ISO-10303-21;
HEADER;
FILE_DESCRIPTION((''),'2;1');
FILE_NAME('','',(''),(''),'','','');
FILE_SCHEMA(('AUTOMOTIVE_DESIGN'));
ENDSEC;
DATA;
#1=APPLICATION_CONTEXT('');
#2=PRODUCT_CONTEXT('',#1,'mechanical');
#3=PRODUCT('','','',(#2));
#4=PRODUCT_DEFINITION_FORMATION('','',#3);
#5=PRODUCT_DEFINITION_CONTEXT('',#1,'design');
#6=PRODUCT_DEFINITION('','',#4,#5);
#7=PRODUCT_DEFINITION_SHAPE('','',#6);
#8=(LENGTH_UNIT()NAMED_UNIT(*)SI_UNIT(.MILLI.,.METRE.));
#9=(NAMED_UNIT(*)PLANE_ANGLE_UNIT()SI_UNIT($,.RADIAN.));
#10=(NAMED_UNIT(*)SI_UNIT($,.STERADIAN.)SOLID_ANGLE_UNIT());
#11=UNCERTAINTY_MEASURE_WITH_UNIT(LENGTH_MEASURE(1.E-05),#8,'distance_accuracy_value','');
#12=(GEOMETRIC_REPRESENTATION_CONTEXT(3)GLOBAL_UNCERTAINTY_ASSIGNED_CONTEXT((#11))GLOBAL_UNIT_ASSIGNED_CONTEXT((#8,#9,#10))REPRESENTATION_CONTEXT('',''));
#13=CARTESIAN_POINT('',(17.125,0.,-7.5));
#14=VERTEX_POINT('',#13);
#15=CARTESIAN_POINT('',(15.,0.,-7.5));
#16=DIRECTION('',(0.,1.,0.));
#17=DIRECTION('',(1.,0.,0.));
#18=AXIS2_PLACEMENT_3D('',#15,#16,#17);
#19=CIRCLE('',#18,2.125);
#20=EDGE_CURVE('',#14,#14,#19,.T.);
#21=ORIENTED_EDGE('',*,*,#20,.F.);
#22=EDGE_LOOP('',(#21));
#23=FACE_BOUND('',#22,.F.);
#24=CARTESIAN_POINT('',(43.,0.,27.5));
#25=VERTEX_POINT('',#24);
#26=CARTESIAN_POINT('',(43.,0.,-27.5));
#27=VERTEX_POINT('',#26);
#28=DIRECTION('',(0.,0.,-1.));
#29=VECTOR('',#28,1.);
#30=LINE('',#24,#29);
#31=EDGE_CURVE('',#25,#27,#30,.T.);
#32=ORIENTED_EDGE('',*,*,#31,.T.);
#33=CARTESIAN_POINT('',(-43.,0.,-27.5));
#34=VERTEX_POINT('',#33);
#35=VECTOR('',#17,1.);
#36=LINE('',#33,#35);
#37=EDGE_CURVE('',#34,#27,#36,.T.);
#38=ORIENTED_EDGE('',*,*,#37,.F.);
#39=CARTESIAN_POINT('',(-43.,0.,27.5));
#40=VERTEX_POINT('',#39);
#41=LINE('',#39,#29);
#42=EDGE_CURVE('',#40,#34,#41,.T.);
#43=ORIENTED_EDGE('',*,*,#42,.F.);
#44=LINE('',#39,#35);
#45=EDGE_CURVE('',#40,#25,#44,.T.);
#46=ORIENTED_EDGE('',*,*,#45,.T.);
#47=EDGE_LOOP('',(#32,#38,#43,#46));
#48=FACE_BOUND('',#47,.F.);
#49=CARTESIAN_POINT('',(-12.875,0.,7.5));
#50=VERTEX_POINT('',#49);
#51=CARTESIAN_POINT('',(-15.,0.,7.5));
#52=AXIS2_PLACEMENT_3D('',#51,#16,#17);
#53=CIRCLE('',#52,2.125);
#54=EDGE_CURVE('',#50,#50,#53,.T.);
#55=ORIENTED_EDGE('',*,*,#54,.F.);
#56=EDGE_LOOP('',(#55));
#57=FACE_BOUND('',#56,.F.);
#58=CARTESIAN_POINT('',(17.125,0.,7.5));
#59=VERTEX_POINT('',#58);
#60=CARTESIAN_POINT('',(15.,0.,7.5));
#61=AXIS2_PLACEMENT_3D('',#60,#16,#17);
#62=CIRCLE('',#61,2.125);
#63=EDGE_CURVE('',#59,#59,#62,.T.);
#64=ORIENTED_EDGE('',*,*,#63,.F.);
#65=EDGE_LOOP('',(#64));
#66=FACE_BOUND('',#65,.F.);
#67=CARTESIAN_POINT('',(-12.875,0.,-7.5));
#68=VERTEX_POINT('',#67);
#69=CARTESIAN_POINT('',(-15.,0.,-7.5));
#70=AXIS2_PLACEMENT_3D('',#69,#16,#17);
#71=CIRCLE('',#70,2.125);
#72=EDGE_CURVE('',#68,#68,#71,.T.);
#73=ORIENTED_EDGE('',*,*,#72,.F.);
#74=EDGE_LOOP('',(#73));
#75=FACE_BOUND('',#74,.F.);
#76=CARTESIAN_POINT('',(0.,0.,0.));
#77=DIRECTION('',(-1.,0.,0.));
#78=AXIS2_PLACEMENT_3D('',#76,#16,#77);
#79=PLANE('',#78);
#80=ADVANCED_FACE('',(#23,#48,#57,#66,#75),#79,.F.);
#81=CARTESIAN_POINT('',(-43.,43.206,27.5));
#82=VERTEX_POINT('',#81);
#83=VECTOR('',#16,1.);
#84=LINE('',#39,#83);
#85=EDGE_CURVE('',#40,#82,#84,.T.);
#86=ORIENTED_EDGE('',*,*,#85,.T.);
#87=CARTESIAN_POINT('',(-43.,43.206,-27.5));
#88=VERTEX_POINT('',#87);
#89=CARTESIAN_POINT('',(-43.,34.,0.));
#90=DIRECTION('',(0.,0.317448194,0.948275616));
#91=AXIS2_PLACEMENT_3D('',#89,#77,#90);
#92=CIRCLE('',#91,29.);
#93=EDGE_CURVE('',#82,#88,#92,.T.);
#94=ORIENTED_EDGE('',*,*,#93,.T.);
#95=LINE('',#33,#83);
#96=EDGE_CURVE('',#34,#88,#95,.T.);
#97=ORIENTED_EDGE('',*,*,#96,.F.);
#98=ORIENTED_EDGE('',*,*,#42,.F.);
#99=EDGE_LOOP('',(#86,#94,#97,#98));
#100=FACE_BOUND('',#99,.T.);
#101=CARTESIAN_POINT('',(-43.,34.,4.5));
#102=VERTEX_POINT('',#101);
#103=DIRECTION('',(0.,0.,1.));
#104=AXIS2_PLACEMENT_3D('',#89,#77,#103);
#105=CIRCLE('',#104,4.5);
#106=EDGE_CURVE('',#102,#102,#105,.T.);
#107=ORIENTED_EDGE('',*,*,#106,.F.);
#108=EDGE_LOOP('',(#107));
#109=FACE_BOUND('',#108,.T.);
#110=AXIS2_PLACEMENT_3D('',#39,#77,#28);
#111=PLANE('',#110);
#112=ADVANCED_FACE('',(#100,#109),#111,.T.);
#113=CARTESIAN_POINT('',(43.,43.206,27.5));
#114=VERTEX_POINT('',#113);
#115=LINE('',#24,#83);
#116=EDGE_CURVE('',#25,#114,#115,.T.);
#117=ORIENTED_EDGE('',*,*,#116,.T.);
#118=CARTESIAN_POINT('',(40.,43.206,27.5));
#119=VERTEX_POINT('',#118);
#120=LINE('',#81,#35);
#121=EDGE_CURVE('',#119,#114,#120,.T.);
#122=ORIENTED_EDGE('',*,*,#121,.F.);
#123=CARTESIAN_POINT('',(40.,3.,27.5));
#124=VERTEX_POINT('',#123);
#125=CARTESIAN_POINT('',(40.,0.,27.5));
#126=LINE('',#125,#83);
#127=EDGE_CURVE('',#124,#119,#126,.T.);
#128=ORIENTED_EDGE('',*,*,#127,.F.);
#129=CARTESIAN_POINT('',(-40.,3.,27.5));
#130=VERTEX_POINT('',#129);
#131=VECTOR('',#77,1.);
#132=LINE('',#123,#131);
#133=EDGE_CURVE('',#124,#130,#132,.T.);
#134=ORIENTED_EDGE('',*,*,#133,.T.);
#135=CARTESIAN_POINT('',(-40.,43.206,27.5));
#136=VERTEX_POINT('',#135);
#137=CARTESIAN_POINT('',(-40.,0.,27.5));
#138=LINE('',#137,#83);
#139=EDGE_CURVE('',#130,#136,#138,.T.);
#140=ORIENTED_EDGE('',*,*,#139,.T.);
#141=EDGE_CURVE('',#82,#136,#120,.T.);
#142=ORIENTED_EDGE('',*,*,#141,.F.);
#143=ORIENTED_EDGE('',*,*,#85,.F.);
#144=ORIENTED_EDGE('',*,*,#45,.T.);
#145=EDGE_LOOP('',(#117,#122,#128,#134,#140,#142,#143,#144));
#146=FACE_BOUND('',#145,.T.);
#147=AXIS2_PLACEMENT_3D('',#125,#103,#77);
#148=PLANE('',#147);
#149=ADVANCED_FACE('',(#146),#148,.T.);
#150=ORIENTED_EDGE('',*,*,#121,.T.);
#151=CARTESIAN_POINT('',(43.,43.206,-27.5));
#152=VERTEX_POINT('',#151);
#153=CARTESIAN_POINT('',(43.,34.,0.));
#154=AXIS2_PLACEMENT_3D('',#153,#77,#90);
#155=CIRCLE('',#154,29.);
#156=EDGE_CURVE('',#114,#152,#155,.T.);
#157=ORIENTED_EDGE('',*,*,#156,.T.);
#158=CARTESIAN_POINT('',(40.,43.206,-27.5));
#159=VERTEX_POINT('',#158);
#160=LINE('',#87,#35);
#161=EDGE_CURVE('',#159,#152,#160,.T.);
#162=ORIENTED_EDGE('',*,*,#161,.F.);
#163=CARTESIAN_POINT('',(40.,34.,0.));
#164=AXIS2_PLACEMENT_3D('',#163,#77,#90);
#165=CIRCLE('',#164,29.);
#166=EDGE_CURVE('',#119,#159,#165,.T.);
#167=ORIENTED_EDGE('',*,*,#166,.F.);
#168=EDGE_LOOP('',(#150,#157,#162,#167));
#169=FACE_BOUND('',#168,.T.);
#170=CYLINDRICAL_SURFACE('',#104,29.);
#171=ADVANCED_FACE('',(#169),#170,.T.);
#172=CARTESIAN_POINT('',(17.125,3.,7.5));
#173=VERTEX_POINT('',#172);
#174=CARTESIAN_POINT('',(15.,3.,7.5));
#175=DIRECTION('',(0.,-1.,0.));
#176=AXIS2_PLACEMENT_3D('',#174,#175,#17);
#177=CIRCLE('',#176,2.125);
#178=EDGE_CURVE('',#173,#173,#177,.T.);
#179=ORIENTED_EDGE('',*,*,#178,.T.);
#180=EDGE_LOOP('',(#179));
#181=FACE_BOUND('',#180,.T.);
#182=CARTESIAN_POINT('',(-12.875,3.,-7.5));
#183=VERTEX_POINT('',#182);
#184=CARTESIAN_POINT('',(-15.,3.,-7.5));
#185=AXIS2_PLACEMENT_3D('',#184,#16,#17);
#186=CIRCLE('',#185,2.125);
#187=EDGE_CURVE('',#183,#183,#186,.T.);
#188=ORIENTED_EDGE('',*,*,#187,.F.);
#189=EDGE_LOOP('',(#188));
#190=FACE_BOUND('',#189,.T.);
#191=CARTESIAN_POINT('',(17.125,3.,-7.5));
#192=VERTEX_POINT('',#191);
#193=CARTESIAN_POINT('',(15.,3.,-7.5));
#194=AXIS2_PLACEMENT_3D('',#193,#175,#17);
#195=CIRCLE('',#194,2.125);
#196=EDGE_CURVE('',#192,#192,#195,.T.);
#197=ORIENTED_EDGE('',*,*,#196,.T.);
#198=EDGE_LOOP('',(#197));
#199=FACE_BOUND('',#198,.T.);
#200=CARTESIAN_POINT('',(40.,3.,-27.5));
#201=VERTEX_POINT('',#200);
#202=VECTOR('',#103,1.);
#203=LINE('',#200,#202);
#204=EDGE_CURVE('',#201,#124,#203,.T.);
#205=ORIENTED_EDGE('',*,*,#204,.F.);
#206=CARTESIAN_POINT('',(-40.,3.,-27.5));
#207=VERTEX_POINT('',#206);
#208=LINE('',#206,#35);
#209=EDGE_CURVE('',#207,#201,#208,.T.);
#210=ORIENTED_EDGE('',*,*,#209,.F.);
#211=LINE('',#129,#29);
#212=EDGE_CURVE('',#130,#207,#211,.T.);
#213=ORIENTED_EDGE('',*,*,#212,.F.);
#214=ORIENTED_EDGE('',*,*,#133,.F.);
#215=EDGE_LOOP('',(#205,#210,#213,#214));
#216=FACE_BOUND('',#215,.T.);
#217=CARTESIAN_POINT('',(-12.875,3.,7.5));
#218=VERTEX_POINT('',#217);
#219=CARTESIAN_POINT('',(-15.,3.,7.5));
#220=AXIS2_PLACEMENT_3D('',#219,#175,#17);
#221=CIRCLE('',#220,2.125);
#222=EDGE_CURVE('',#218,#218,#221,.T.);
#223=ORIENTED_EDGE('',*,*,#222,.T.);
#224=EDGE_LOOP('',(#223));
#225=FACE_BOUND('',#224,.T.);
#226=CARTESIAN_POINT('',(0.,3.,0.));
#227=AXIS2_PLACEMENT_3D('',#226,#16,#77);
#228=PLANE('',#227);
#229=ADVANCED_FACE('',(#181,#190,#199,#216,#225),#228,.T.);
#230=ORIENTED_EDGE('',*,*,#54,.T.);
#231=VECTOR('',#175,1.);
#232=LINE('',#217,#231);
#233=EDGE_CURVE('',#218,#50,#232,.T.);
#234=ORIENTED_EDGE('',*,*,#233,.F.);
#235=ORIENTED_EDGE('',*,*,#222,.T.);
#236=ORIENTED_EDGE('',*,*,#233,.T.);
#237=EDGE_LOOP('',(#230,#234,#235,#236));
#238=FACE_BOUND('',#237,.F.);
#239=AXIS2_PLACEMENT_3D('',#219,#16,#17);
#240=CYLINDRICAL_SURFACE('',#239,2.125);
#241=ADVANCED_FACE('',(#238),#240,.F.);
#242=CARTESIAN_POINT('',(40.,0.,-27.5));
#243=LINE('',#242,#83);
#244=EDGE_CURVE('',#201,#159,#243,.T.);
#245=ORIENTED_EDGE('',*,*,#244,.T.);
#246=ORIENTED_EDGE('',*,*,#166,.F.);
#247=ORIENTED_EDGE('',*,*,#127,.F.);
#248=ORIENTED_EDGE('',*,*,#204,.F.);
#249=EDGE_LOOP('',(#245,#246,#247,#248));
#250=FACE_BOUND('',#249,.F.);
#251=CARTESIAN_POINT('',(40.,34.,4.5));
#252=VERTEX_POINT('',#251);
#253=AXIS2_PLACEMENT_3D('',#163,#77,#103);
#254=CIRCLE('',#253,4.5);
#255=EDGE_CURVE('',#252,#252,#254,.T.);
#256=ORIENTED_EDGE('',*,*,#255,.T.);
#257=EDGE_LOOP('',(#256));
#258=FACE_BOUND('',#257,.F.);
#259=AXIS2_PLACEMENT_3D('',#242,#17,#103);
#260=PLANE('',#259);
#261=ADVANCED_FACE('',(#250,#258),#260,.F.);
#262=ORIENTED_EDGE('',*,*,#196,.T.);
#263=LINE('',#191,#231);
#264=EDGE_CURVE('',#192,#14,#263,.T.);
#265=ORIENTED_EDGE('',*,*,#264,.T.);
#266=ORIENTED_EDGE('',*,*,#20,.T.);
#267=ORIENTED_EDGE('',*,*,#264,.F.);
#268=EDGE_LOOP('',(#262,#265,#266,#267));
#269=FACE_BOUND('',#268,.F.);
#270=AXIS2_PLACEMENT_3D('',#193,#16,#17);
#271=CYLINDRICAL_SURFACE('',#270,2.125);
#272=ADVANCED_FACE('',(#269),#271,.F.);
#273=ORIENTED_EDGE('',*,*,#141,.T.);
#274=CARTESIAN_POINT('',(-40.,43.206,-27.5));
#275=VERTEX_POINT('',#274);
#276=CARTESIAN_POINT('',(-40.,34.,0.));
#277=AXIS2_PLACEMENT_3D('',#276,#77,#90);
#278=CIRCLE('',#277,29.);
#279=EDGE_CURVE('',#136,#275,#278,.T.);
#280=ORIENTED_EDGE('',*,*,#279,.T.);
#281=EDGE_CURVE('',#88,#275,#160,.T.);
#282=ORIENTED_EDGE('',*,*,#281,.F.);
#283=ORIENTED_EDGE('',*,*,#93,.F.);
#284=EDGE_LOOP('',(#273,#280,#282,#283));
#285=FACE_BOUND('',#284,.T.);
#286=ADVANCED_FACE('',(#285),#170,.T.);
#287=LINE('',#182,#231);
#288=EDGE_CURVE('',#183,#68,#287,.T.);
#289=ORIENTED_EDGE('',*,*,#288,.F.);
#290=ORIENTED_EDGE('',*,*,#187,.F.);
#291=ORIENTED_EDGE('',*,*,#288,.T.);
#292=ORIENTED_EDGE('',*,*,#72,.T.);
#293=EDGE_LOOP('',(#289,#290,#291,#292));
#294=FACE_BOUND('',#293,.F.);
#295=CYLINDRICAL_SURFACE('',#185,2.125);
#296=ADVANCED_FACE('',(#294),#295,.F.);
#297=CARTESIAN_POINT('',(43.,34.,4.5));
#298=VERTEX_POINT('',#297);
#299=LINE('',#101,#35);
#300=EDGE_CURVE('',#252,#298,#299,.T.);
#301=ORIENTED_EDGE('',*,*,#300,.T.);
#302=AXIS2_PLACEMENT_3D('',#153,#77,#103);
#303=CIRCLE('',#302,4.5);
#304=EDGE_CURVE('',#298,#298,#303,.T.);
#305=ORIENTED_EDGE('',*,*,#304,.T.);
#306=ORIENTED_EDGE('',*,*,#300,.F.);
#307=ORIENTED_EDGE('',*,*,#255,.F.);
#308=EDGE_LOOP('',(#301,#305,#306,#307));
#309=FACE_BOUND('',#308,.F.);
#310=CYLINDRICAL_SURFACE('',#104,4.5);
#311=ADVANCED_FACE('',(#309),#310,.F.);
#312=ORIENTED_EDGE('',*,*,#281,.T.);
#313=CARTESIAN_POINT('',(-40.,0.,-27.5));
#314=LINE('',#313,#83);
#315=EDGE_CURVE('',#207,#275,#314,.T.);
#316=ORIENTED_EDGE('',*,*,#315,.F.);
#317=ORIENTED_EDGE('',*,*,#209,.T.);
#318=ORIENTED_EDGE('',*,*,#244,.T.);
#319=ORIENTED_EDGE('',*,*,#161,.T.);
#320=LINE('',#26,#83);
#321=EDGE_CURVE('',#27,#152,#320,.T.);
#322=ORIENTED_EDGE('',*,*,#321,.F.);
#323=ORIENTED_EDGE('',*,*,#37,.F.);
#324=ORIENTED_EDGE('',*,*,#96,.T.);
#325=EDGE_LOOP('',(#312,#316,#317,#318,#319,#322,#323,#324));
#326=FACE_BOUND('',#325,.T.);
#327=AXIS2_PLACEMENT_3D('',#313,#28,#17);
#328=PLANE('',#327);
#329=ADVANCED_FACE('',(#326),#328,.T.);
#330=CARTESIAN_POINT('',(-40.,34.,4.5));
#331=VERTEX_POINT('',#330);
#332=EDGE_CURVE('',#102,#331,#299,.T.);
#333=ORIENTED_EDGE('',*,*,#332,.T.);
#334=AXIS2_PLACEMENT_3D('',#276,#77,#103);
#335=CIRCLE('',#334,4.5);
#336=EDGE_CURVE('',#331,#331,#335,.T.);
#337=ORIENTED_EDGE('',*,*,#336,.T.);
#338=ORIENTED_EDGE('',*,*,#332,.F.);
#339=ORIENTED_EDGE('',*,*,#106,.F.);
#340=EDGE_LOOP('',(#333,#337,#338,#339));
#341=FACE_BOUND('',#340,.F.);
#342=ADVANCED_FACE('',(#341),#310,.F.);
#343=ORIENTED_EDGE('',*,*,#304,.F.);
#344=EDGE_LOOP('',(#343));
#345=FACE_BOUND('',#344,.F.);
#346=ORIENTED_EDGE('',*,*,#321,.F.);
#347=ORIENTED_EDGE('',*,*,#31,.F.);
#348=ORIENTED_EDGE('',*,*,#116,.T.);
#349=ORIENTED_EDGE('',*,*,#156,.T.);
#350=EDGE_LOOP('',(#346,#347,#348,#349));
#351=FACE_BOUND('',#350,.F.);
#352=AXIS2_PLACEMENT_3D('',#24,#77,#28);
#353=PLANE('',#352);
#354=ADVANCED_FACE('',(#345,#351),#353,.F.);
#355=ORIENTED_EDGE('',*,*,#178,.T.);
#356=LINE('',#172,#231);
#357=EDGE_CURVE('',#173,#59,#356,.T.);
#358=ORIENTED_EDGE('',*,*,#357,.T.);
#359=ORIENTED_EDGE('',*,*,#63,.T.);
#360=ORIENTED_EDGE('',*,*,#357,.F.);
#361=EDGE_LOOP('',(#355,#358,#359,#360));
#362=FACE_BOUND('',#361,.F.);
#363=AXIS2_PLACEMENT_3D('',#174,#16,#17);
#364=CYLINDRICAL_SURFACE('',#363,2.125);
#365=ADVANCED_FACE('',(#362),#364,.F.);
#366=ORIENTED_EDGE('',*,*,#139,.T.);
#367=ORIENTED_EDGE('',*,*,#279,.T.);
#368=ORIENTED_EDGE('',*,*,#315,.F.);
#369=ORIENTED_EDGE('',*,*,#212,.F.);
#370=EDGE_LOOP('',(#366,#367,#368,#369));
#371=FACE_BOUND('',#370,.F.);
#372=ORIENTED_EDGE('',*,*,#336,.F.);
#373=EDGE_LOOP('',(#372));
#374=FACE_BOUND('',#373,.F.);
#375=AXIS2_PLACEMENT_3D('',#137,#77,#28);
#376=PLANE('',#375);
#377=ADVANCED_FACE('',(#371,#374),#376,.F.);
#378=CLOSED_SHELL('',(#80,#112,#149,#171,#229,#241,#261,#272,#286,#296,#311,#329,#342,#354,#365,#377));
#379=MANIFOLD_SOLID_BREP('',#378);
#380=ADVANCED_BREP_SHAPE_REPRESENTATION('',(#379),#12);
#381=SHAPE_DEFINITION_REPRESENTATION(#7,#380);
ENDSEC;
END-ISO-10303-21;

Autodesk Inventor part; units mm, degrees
ref_plane "YZ Plane" through (0, 0, 0) normal (1, 0, 0) x (0, 1, 0)
ref_plane "XZ Plane" through (0, 0, 0) normal (0, 1, 0) x (-1, 0, 0)
ref_plane "XY Plane" through (0, 0, 0) normal (0, 0, 1) x (1, 0, 0)
sketch "Sketch1" plane through (0, 0, 0) normal (0, 1, 0) x (-1, 0, 0)
  line L0 (-40, 27.5) -> (40, 27.5)
  line L1 (40, 27.5) -> (40, -27.5)
  line L2 (40, -27.5) -> (-40, -27.5)
  line L3 (-40, -27.5) -> (-40, 27.5)
  line L4 (-40, 27.5) -> (40, -27.5) construction
  line L5 (40, 27.5) -> (-40, -27.5) construction
  line L6 (40, 27.5) -> (43, 27.5)
  line L7 (43, 27.5) -> (43, -27.5)
  line L8 (43, -27.5) -> (40, -27.5)
  line L9 (40, -27.5) -> (40, 27.5)
  line L10 (-40, 27.5) -> (-43, 27.5)
  line L11 (-43, 27.5) -> (-43, -27.5)
  line L12 (-43, -27.5) -> (-40, -27.5)
  line L13 (-40, -27.5) -> (-40, 27.5)
  point P0 (0, 0)
  point P1 (-40, -27.5)
  dimension "d0" = 80
  dimension "d1" = 55
  dimension "d2" = 3
  dimension "d3" = 3
extrude "Extrusion1" add sketch "Sketch1" along normal blind 3 contours L0 L1 L2 L3
extrude "Extrusion2" add sketch "Sketch1" along normal blind 63 contours L3 L12 L11 L10 | L6 L7 L8 L1
sketch "Sketch2" plane through (0, 3, 0) normal (0, 1, 0) x (1, 0, 0)
  line L0 (12.875, -7.5) -> (-12.875, -7.5)
  line L1 (-12.875, -7.5) -> (-12.875, 7.5)
  line L2 (-12.875, 7.5) -> (12.875, 7.5)
  line L3 (12.875, 7.5) -> (12.875, -7.5)
  line L4 (12.875, -7.5) -> (-12.875, 7.5) construction
  line L5 (-12.875, -7.5) -> (12.875, 7.5) construction
  line L6 (12.875, 7.5) -> (17.125, 7.5)
  circle A0 centre (15, 7.5) radius 2.125
  circle A1 centre (15, -7.5) radius 2.125
  line L7 (-12.875, -7.5) -> (-17.125, -7.5)
  circle A2 centre (-15, -7.5) radius 2.125
  circle A3 centre (-15, 7.5) radius 2.125
  point P0 (0, 0)
  dimension "d8" = 25.75
  dimension "d9" = 15
  dimension "d10" = 4.25
  dimension "d11" = 4.25
extrude "Extrusion3" cut sketch "Sketch2" against normal through all contours A2 L7 | L7 A2 | A3 | A0 L6 | L6 A0 | A1
sketch "Sketch3" plane through (-43, 0, -27.5) normal (-1, 0, 0) x (0, 0, 1)
  circle A0 centre (27.5, 34) radius 4.5
  line L0 (0, 0) -> (55, 0) projected
  circle A1 centre (27.5, 34) radius 29
  line L1 (0, 3) -> (0, 63) projected
  line L2 (0, 43.206) -> (0, 63)
  line L3 (0, 63) -> (27.5, 63)
  line L4 (55, 63) -> (0, 63) projected
  line L5 (27.5, 63) -> (55, 63)
  line L6 (55, 63) -> (55, 43.206)
  line L7 (55, 3) -> (55, 63) projected
  point P0 (27.5, 0)
  dimension "d14" = 9
  dimension "d15" = 34
extrude "Extrusion4" cut sketch "Sketch3" against normal through all contours A0
extrude "Extrusion5" cut sketch "Sketch3" against normal through all contours A1 L4 L6 | A1 L1 L3
properties part number "baseatas2" material "Aluminum 6061"
